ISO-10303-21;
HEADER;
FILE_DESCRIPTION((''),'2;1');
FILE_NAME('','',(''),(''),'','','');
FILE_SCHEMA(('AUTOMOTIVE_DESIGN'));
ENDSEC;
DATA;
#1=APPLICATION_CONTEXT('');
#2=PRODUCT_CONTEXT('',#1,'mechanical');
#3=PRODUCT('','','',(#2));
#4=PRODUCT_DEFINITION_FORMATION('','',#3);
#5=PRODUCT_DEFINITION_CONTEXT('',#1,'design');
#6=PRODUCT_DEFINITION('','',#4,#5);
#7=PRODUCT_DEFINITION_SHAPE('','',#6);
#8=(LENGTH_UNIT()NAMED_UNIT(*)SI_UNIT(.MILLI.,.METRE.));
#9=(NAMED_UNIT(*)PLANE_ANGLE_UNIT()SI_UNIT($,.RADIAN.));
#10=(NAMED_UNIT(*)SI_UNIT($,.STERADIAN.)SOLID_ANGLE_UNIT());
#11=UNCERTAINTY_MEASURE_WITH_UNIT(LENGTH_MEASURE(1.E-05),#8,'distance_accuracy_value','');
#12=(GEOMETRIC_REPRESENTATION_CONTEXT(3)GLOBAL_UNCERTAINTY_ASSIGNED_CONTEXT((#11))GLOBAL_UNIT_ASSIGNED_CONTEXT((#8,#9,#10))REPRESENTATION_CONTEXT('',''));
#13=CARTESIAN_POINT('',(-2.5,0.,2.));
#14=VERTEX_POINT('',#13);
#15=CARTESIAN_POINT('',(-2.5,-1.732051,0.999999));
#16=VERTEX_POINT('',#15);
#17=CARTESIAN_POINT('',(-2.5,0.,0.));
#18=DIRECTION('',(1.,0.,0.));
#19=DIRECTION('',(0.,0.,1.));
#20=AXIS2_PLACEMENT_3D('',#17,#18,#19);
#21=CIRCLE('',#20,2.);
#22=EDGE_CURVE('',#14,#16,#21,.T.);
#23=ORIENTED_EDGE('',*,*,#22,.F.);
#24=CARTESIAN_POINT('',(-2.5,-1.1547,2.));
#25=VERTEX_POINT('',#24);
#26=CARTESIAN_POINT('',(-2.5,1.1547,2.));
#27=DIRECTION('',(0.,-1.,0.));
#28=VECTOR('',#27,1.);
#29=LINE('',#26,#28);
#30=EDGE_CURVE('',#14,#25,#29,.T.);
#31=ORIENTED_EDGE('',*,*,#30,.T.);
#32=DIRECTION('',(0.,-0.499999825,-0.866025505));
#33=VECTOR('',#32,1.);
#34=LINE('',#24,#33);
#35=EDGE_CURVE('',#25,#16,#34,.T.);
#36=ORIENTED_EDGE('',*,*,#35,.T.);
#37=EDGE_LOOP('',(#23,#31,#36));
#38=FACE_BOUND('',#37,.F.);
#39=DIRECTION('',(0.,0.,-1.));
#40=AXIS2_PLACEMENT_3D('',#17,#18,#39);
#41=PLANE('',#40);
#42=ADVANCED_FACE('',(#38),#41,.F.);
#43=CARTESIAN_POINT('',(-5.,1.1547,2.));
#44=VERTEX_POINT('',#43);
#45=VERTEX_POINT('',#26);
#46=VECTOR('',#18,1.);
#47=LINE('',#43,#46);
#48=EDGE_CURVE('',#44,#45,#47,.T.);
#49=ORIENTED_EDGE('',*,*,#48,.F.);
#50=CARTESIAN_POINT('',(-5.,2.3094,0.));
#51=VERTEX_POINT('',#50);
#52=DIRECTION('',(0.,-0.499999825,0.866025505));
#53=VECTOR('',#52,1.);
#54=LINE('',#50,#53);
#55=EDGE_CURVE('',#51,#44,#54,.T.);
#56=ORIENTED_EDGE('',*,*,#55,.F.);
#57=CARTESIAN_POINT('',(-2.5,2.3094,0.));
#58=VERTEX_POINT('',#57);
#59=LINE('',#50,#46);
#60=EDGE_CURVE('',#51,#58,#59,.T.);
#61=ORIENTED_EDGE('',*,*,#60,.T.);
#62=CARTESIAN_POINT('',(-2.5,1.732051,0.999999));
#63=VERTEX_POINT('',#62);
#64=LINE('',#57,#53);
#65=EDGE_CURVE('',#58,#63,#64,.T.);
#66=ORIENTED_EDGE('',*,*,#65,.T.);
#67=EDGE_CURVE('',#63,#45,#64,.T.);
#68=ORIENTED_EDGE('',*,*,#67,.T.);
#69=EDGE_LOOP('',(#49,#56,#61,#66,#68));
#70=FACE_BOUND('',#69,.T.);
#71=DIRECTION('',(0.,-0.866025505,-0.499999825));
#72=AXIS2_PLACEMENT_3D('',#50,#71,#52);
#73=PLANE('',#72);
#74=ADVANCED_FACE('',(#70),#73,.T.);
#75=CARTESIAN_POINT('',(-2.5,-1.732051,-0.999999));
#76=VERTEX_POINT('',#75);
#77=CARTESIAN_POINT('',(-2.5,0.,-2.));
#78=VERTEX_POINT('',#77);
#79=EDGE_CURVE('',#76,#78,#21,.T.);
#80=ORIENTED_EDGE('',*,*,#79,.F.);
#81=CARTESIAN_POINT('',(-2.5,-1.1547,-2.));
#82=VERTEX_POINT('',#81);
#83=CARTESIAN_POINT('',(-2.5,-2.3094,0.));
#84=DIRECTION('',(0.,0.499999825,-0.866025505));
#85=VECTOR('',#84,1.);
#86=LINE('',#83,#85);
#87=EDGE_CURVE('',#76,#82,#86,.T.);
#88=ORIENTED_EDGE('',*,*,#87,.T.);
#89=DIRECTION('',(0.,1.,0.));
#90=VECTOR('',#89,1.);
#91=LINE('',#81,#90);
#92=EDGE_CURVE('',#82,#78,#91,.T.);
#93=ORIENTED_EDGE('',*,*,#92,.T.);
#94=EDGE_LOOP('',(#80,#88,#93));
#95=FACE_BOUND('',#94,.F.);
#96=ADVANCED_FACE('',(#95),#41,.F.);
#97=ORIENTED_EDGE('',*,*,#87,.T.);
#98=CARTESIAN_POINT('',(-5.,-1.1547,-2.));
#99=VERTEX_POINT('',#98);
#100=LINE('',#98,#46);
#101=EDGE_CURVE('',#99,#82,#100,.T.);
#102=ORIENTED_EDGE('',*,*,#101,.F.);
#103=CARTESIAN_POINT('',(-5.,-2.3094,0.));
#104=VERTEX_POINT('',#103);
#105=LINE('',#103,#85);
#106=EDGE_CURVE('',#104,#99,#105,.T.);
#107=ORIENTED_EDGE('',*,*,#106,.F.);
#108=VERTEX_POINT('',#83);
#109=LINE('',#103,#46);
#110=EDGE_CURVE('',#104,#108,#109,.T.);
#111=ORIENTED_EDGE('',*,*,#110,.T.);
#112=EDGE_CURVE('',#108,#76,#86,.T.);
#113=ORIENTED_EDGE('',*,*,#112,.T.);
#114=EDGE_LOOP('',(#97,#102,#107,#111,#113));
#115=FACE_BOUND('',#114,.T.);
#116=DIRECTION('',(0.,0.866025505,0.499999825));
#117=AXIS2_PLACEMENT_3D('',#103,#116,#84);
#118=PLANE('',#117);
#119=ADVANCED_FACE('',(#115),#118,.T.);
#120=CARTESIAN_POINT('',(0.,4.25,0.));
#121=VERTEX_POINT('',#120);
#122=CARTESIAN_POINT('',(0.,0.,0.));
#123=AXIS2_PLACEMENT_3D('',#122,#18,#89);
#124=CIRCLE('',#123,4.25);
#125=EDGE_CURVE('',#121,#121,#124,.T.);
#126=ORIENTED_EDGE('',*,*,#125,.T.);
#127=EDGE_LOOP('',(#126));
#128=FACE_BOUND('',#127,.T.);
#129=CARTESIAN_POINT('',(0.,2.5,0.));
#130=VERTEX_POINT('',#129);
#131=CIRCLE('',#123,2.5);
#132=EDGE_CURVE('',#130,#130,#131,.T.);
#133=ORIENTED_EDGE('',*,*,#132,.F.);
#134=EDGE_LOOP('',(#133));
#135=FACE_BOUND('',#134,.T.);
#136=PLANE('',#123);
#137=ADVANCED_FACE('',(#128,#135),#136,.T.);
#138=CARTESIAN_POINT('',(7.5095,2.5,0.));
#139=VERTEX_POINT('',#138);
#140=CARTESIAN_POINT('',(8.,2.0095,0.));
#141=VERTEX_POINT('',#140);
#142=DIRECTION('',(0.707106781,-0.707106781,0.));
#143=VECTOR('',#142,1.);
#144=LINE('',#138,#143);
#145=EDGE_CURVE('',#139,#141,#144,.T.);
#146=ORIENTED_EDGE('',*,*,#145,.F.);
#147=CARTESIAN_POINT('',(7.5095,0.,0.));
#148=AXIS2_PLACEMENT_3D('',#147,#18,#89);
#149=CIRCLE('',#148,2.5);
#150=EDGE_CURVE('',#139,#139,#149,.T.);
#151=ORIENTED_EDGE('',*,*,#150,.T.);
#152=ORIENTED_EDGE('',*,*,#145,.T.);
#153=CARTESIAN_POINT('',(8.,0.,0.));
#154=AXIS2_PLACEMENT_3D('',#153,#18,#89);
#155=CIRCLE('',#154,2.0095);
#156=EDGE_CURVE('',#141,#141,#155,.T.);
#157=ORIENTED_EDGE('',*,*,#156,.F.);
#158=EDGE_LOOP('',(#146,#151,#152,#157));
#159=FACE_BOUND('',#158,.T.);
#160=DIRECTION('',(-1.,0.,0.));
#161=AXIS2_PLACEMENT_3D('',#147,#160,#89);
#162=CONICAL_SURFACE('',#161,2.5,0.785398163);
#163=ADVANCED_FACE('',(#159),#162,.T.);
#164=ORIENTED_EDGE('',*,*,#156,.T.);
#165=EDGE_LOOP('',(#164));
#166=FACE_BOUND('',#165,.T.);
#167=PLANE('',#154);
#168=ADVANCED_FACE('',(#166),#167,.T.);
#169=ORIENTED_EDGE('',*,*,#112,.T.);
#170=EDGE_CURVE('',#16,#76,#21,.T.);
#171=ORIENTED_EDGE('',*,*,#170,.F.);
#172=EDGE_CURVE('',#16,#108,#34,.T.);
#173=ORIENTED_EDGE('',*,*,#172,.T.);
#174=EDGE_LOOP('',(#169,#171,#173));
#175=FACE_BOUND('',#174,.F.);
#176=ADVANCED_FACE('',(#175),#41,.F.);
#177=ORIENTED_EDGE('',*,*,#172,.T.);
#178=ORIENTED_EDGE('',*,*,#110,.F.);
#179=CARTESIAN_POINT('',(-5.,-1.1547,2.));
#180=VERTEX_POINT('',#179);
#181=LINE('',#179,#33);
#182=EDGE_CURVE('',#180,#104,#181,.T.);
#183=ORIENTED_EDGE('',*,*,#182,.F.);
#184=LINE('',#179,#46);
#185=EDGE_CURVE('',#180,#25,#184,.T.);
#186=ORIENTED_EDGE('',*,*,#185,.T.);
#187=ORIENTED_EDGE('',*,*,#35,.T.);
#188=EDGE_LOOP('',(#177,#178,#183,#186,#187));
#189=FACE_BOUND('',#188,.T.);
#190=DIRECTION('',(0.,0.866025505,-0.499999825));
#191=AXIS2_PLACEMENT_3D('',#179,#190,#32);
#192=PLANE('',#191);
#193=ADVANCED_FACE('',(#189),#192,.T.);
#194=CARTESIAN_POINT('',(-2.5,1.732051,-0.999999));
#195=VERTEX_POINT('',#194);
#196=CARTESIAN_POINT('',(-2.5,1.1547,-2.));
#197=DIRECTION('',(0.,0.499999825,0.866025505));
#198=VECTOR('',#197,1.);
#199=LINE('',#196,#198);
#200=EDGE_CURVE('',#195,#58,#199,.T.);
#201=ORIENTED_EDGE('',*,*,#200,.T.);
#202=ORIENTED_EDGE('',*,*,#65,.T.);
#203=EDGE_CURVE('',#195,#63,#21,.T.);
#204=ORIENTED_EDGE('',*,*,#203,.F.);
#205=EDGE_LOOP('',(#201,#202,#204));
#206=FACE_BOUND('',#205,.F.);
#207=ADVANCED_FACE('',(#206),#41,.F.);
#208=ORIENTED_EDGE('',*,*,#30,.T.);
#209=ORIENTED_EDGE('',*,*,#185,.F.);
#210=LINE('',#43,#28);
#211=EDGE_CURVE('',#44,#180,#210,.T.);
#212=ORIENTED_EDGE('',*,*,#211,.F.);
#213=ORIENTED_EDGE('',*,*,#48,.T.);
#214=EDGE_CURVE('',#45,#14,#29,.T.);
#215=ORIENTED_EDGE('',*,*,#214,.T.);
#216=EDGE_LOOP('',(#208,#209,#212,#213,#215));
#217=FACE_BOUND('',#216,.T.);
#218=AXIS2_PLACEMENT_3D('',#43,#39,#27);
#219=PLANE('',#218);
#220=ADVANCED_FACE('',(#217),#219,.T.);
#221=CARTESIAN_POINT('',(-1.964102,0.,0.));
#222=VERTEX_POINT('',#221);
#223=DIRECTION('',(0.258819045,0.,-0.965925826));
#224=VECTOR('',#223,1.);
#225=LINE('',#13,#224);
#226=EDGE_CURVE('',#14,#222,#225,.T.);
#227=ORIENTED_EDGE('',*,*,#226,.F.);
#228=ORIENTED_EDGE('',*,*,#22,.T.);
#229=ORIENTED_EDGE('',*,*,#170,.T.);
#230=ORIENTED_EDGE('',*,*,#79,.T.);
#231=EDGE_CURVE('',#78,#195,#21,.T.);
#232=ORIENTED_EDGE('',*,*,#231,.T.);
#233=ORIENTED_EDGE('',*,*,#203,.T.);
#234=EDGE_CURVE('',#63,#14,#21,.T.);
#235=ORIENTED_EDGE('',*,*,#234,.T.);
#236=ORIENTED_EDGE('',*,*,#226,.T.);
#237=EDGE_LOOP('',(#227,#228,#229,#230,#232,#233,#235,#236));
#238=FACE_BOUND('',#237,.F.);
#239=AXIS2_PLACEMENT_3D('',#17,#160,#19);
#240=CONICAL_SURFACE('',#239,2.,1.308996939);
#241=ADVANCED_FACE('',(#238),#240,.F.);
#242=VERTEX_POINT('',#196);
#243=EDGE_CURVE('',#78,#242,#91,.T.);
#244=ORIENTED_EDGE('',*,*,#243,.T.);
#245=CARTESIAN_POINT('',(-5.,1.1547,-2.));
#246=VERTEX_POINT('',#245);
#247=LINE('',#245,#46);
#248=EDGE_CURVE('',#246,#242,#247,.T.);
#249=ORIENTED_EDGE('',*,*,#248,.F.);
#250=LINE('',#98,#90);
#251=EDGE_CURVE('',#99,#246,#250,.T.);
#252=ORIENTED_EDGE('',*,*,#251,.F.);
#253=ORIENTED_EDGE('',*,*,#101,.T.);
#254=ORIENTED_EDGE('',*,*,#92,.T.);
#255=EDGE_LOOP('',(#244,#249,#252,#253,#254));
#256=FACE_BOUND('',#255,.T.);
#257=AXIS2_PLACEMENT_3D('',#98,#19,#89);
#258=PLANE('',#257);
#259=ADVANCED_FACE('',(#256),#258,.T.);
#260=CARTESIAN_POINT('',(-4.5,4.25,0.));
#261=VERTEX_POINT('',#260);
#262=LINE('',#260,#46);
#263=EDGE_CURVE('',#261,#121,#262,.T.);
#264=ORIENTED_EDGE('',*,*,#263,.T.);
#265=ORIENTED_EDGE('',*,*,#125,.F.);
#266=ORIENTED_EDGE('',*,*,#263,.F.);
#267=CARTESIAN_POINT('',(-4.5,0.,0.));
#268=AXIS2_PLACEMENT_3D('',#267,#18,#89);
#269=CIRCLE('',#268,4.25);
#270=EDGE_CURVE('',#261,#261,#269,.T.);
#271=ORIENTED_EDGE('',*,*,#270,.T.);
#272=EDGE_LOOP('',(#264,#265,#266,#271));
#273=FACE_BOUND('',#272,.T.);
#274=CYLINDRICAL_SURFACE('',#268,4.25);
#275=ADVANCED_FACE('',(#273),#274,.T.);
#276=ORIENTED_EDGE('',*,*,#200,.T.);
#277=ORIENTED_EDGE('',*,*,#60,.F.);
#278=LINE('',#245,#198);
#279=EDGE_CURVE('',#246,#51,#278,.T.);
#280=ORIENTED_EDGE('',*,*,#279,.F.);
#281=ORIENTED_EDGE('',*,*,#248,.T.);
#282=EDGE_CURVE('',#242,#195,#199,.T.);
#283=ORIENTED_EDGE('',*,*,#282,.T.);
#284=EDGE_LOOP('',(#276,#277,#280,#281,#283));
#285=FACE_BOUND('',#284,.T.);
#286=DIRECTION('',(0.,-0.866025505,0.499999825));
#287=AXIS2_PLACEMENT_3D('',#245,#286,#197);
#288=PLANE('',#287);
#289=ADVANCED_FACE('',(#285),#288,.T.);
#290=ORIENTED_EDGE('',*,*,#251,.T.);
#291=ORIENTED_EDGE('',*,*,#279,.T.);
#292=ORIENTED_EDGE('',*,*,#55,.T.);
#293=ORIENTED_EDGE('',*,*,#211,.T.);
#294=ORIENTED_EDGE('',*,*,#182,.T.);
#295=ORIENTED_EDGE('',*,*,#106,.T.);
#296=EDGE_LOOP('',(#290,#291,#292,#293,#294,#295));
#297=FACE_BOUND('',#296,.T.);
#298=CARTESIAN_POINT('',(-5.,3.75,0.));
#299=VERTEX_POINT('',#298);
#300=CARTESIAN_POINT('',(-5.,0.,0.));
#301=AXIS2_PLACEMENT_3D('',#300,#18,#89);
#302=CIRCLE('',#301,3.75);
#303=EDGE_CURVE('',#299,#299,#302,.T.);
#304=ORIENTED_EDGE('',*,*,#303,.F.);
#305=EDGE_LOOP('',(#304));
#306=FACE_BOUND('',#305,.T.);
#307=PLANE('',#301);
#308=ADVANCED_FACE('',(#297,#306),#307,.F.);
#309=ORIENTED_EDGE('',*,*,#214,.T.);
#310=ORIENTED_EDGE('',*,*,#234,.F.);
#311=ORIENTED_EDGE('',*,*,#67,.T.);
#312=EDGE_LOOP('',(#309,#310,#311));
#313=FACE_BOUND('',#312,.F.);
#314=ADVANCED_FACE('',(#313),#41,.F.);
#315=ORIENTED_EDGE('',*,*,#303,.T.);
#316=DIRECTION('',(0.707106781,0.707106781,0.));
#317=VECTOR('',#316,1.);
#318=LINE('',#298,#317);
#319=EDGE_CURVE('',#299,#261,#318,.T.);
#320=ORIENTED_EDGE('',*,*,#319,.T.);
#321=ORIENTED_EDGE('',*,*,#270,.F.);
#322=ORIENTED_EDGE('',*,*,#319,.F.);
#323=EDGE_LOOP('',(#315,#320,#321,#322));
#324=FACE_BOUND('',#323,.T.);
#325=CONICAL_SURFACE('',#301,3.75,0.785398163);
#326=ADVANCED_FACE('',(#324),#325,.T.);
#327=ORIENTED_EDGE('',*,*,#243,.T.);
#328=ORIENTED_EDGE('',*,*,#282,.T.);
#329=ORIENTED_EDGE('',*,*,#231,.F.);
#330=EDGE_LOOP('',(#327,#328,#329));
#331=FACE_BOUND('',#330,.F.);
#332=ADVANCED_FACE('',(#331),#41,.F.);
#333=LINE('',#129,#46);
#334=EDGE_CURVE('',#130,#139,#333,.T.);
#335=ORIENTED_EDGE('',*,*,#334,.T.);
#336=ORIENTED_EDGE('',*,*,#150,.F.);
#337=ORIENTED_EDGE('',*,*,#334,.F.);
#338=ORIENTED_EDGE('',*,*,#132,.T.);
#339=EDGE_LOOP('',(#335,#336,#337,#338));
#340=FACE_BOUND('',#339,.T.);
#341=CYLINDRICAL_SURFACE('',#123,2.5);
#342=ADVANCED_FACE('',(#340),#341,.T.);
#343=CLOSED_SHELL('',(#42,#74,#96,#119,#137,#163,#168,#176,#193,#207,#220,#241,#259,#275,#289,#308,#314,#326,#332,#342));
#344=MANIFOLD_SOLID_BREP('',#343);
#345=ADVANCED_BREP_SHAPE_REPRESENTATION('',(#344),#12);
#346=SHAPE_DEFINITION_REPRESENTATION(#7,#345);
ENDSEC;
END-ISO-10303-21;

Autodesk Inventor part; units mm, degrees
sketch "Sketch_1" plane through (0, 0, 0) normal (0, 0, 1) x (1, 0, 0)
  line L0 (8, 0) -> (-5, 0)
  line L1 (-5, 0) -> (-5, 3.75)
  line L2 (-5, 3.75) -> (-4.5, 4.25)
  line L3 (-4.5, 4.25) -> (0, 4.25)
  line L4 (0, 4.25) -> (0, 2.5)
  line L5 (0, 2.5) -> (7.5095, 2.5)
  line L6 (7.5095, 2.5) -> (8, 2.0095)
  line L7 (8, 2.0095) -> (8, 0)
  line L8 (8, 0) -> (-5, 0)
revolve "Revolution1" add sketch "Sketch_1" angle 360 about axis through (8, 0, 0) along (1, 0, 0)
thread "Thread1" size "M5x0.8" class "6g" standard "ISO Metric profile" length 6.5095
sketch "Sketch2" plane through (-5, 0, 0) normal (-1, 0, 0) x (0, 0, 1)
  point P0 (0, 0)
hole "Hole1" at (-5, 0, 0) direction (1, 0, 0) diameter 4 depth 2.5 tip angle 150
sketch "Sketch_3" plane through (-5, 0, 0) normal (1, 0, 0) x (0, 0, -1)
  line L0 (-2, -1.1547) -> (0, -2.3094)
  line L1 (0, -2.3094) -> (2, -1.1547)
  line L2 (2, -1.1547) -> (2, 1.1547)
  line L3 (2, 1.1547) -> (0, 2.3094)
  line L4 (0, 2.3094) -> (-2, 1.1547)
  line L5 (-2, 1.1547) -> (-2, -1.1547)
extrude "Extrusion1" cut sketch "Sketch_3" along normal blind 2.5
ref_plane "bolt_to_nut_XY" through (8, 0, 0) normal (1, 0, 0) x (0, 0, -1)
ref_plane "bolt_to_nut_YZ" through (8, 0, 0) normal (0, 0, -1) x (0, 1, 0)
ref_plane "bolt_to_nut_ZX" through (8, 0, 0) normal (0, 1, 0) x (1, 0, 0)
ref_plane "screw1_XY" through (0, 0, 0) normal (1, 0, 0) x (0, 0, -1)
ref_plane "screw1_YZ" through (0, 0, 0) normal (0, 0, -1) x (0, 1, 0)
ref_plane "screw1_ZX" through (0, 0, 0) normal (0, 1, 0) x (1, 0, 0)
properties part number "CB5-8" material "鋼、炭素鋼"
